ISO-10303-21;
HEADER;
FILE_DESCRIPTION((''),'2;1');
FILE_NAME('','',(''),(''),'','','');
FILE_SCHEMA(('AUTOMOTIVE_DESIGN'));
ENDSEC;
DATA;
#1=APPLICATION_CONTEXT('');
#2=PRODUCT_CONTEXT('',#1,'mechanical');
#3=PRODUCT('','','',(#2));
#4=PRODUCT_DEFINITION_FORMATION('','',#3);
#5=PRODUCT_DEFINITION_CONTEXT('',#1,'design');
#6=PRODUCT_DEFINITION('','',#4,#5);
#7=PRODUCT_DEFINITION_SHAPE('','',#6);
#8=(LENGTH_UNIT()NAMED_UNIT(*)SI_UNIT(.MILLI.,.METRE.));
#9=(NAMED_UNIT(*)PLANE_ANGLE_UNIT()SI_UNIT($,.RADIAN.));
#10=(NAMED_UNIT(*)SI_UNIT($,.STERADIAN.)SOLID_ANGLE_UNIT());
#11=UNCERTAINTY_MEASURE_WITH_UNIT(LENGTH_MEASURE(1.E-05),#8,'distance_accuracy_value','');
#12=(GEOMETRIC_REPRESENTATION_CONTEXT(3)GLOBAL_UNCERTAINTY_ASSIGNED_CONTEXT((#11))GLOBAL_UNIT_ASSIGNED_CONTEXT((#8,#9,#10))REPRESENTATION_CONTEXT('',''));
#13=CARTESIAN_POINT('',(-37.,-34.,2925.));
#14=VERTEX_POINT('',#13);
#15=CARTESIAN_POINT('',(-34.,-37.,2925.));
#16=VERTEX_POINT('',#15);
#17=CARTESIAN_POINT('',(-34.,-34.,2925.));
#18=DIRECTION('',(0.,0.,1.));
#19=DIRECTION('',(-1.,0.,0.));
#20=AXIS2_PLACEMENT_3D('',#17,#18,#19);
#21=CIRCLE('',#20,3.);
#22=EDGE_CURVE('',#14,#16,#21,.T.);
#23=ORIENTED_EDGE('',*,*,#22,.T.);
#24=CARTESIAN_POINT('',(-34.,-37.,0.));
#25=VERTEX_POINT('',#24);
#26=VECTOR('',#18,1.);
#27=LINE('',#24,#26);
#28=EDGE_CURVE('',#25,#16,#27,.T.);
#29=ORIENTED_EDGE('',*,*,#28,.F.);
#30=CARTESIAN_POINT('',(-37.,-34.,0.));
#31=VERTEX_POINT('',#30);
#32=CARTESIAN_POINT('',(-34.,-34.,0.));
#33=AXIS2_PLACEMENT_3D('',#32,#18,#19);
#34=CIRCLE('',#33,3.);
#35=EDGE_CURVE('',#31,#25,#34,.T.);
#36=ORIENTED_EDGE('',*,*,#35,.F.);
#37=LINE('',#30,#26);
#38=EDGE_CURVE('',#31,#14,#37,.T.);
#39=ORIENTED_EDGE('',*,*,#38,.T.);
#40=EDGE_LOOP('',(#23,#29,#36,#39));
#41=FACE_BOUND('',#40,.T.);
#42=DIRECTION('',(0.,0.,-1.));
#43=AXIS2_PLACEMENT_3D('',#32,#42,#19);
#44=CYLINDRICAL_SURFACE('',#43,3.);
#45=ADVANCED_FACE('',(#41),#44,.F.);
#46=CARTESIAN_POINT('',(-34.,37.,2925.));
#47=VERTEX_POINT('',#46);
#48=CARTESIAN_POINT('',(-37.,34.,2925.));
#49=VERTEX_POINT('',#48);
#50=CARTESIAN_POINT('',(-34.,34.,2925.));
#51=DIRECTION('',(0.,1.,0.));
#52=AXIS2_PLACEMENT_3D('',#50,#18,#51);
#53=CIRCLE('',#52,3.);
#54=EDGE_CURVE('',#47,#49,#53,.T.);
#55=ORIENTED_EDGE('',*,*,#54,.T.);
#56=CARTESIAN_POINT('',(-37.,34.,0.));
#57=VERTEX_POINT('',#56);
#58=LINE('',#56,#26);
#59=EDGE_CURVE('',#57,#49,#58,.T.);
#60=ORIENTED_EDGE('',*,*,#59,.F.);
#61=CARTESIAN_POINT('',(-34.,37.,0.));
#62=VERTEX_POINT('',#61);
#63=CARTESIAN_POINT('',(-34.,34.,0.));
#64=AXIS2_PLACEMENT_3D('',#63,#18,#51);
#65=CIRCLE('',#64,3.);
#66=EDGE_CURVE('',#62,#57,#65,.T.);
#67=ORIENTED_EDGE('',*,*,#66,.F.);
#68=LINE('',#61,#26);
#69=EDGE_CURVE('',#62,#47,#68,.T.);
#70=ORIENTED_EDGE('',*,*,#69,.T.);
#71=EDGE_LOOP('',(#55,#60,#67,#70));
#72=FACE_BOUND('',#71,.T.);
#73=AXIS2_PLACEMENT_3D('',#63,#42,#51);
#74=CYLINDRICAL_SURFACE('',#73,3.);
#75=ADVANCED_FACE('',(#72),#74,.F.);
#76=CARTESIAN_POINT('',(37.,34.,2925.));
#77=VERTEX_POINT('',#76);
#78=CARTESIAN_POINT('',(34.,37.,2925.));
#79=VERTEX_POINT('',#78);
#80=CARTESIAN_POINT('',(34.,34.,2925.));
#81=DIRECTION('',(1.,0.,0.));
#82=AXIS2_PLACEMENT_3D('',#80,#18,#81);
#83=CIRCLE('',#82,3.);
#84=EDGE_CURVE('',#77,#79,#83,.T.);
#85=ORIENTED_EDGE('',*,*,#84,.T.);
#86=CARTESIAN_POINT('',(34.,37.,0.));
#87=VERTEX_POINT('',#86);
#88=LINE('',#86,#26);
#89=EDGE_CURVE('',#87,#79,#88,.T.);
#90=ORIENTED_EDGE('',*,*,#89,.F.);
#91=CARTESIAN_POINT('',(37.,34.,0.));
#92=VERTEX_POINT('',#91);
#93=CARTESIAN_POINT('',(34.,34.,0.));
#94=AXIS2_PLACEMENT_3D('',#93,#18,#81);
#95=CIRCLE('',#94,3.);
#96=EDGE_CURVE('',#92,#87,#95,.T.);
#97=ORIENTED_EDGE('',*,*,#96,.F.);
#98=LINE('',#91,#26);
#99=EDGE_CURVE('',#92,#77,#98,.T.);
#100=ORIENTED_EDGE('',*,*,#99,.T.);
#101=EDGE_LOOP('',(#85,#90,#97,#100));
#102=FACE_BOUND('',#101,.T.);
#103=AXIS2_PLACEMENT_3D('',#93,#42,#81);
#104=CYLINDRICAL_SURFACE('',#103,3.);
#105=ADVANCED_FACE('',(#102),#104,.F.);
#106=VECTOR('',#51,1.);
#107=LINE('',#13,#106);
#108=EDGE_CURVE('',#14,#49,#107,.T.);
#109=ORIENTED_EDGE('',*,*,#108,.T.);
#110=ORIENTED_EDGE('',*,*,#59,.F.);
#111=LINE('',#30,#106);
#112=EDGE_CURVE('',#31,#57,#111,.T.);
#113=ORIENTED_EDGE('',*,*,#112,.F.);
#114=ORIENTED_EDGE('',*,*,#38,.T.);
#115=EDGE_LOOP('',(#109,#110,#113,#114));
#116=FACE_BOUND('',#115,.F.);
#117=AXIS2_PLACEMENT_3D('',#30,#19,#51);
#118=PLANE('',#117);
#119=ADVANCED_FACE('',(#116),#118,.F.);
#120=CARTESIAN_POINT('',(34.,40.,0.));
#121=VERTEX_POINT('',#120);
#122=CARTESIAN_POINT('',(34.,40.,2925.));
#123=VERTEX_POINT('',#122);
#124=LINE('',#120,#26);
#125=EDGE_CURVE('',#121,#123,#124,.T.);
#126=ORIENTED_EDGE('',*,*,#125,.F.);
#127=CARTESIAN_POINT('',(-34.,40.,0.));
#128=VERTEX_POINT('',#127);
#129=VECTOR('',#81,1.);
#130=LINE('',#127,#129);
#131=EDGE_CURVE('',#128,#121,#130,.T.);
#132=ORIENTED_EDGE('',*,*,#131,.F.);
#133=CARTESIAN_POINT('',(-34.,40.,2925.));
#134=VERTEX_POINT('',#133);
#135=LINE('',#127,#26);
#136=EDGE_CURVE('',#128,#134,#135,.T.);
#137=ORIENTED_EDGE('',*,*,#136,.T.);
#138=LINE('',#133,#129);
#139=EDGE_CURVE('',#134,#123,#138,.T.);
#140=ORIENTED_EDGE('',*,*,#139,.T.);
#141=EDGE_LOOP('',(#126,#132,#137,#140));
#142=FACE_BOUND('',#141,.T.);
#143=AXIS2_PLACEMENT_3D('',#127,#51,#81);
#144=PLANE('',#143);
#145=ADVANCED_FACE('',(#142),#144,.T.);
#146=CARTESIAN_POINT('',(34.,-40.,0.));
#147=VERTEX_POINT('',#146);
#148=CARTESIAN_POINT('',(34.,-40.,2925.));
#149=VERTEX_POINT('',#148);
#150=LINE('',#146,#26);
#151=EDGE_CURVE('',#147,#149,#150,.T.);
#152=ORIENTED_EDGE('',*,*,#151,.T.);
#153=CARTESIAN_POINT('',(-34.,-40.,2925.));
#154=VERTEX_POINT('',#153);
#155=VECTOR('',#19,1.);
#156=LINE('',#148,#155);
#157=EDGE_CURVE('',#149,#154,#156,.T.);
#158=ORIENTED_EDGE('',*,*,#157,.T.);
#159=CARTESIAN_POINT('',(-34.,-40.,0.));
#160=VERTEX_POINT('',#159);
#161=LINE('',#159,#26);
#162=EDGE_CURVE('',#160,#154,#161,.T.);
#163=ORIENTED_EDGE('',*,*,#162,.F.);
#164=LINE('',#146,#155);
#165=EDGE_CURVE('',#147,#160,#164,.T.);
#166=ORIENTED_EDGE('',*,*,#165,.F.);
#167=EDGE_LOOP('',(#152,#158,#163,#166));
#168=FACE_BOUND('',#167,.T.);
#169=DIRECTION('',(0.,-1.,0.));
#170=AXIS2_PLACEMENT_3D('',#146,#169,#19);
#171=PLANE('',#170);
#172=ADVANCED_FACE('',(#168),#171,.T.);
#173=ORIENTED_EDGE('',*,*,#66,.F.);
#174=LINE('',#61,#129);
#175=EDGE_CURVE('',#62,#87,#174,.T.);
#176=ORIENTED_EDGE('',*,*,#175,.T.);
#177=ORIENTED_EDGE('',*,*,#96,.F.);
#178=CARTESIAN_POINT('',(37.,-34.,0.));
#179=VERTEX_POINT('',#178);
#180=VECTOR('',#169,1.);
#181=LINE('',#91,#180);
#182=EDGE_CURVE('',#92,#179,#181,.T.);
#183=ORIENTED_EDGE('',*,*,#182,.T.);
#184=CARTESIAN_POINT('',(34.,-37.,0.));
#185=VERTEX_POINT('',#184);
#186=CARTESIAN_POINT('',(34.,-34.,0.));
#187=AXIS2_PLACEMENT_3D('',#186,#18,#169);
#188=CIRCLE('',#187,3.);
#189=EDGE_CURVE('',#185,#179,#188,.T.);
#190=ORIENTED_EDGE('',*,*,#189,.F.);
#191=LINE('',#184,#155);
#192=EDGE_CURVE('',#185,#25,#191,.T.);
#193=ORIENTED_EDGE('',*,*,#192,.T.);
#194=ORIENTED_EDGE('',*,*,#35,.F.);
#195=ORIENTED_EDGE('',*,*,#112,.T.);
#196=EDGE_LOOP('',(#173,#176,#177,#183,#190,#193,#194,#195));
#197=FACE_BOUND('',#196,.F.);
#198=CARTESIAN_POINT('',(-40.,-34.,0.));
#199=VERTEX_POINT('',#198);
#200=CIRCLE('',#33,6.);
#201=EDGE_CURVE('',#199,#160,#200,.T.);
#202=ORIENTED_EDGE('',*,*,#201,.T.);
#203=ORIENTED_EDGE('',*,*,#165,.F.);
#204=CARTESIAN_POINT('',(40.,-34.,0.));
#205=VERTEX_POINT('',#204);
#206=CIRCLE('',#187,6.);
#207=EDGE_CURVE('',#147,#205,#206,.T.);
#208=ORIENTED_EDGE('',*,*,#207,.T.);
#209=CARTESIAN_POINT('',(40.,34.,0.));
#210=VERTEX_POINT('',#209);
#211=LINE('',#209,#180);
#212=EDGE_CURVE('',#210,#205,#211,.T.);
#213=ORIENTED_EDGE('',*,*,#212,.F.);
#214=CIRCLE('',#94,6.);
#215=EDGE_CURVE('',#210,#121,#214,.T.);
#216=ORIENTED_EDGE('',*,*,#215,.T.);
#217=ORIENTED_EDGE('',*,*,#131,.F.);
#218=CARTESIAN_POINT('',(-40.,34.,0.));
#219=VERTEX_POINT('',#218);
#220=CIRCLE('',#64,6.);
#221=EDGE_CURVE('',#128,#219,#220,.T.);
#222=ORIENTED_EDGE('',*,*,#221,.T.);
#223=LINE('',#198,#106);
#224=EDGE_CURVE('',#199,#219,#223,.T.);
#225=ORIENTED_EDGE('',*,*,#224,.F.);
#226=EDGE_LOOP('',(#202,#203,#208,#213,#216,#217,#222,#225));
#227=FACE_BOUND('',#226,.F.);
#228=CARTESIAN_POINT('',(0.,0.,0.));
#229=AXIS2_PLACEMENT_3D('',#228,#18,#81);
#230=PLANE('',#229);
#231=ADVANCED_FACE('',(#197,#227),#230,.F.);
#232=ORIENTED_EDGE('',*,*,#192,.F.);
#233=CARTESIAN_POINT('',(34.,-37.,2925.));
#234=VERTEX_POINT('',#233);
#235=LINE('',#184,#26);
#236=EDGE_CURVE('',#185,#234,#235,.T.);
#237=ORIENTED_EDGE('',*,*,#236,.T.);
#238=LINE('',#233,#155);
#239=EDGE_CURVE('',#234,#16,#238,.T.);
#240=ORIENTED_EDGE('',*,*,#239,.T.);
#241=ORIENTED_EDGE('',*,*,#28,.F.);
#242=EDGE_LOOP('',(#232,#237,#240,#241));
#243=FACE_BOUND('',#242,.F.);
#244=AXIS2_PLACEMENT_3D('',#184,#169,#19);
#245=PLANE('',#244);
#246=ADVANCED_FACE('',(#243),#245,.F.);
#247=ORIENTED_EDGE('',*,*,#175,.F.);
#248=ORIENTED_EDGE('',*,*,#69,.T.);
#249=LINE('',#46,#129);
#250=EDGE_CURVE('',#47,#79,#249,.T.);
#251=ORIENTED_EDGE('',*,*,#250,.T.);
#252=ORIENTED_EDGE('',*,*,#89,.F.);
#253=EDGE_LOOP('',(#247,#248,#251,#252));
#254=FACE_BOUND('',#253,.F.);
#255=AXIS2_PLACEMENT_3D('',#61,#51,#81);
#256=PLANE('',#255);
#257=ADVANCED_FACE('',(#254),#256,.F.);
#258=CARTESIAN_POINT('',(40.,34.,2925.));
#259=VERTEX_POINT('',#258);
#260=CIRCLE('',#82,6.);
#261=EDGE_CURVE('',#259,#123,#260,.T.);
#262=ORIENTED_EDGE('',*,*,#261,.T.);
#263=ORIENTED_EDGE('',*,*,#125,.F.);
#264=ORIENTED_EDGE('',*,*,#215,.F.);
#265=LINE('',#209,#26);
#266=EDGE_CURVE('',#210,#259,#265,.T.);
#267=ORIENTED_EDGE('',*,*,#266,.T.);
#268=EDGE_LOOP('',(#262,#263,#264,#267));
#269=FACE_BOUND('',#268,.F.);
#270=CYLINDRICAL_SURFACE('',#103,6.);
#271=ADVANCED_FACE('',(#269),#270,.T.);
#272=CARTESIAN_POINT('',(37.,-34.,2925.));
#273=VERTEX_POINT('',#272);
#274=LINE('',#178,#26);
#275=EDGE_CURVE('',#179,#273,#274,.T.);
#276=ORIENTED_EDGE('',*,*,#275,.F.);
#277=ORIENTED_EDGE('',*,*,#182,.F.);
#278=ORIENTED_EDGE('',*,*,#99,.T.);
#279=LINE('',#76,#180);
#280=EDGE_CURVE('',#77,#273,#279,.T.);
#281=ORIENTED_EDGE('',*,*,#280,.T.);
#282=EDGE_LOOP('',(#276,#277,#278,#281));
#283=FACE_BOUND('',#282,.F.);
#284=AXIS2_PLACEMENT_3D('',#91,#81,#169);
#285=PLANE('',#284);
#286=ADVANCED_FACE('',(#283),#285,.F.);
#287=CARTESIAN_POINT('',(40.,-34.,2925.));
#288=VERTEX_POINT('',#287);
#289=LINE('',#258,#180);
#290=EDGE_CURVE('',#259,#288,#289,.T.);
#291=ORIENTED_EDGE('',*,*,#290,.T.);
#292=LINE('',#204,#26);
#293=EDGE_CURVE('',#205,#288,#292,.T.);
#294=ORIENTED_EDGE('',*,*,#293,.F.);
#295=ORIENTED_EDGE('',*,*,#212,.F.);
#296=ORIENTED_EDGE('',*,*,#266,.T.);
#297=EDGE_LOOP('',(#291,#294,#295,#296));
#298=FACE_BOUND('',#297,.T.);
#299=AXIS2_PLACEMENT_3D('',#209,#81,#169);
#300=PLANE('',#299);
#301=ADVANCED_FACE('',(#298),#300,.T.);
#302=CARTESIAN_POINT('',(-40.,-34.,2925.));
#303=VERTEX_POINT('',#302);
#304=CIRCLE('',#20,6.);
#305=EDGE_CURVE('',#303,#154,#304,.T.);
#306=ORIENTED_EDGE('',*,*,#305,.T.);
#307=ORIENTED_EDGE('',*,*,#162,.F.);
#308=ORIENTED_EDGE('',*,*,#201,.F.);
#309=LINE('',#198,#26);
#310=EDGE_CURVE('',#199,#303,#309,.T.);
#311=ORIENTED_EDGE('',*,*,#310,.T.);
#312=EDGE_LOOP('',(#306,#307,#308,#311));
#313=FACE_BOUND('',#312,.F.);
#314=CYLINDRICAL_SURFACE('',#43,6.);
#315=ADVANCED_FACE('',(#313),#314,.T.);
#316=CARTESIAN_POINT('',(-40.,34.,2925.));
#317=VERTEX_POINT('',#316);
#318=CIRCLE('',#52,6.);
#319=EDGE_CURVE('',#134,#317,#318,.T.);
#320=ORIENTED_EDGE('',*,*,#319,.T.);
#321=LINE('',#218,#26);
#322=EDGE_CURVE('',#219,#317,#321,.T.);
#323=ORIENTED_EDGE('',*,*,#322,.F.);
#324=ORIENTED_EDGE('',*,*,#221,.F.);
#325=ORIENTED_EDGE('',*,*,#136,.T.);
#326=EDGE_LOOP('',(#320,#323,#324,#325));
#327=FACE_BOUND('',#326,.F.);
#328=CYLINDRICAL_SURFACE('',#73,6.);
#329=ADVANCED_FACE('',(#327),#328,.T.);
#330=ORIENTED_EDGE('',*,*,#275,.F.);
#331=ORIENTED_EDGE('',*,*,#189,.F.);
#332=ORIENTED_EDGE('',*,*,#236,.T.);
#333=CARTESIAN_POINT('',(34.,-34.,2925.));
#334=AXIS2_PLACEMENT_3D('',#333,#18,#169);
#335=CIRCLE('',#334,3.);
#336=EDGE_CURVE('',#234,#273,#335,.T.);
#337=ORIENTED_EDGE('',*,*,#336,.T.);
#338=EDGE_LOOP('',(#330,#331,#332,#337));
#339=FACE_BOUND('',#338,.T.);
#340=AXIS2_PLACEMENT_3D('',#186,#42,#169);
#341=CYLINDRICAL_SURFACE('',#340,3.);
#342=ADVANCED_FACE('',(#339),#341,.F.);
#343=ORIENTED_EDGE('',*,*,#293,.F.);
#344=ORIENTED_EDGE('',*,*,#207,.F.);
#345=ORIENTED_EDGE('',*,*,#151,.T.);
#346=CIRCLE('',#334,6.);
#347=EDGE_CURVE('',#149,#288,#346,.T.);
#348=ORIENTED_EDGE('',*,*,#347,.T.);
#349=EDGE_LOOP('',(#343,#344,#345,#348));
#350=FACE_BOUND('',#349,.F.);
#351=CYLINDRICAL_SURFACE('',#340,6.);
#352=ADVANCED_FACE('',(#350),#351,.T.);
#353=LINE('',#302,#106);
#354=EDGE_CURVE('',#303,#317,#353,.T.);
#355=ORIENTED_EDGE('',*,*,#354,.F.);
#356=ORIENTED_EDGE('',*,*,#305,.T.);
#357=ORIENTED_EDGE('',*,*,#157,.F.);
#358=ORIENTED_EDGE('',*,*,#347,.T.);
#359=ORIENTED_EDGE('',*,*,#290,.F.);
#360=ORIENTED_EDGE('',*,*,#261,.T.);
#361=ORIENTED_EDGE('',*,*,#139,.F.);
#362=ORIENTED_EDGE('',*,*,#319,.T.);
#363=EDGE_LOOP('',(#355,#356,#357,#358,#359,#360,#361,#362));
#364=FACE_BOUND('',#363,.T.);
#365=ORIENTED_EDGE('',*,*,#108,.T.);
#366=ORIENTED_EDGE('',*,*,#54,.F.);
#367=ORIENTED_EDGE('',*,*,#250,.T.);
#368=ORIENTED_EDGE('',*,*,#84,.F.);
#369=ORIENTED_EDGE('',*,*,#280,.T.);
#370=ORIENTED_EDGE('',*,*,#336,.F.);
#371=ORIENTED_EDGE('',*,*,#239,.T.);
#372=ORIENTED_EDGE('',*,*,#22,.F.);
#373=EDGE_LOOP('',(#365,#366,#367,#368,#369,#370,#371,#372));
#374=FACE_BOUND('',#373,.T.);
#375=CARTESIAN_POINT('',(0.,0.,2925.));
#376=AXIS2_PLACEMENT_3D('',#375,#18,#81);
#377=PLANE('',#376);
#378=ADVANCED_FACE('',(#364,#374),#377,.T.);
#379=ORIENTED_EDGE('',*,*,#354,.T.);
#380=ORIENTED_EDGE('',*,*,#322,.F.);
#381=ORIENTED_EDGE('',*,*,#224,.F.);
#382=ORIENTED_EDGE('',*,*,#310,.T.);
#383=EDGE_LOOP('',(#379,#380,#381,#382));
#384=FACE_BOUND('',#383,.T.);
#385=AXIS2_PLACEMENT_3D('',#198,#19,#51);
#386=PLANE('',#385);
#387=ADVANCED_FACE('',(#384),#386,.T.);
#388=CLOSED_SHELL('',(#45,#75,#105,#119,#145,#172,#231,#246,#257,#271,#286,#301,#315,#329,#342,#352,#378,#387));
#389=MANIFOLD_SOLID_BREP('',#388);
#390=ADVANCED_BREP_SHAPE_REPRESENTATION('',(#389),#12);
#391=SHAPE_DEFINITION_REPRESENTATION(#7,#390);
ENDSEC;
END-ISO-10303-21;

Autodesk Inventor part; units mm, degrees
ref_plane "YZ Plane" through (0, 0, 0) normal (1, 0, 0) x (0, 1, 0)
ref_plane "Start plane" through (0, 0, 0) normal (0, 0, 1) x (1, 0, 0)
ref_plane "End plane" through (0, 0, 2925) normal (0, 0, 1) x (1, 0, 0)
sketch "Sketch" plane through (0, 0, 0) normal (0, 0, 1) x (1, 0, 0)
  line L0 (-40, -34) -> (-40, 34)
  line L1 (-34, 40) -> (34, 40)
  line L2 (40, 34) -> (40, -34)
  line L3 (34, -40) -> (-34, -40)
  arc A0 (-40, -34) -> (-34, -40) centre (-34, -34) ccw
  arc A1 (40, 34) -> (34, 40) centre (34, 34) ccw
  arc A2 (-34, 40) -> (-40, 34) centre (-34, 34) ccw
  arc A3 (34, -40) -> (40, -34) centre (34, -34) ccw
  arc A4 (-34, 37) -> (-37, 34) centre (-34, 34) ccw
  line L4 (-34, 37) -> (34, 37)
  arc A5 (37, 34) -> (34, 37) centre (34, 34) ccw
  line L5 (37, 34) -> (37, -34)
  arc A6 (34, -37) -> (37, -34) centre (34, -34) ccw
  line L6 (34, -37) -> (-34, -37)
  arc A7 (-37, -34) -> (-34, -37) centre (-34, -34) ccw
  line L7 (-37, -34) -> (-37, 34)
  line L8 (0, 37.1021) -> (0, -37.1021) construction
  line L9 (-23.1021, 0) -> (23.1021, 0) construction
  dimension "d7" = 6
  dimension "d9" = 80
  dimension "d11" = 80
  dimension "d12" = 3
  dimension "d15" = 40
  dimension "d16" = 40
extrude "Body" add sketch "Sketch" along normal up to surface (2925 mm away) from surface at 0
sketch "Sketch3" plane through (0, 0, 0) normal (0, 0, 1) x (1, 0, 0)
  line L0 (0, 0) -> (10, 0)
ref_plane "Work Plane3" through (0, 0, 0) normal (0, -1, 0) x (1, 0, 0)
sketch "Sketch4" plane through (0, 0, 0) normal (0, -1, 0) x (1, 0, 0)
  line L0 (-2, 0) -> (12, 0) projected
  line L1 (-2, 2925) -> (12, 2925) projected
  dimension "d18" = 2925
equation "\"d7\" = G_IR"
equation "\"d9\" = G_W"
equation "\"d11\" = G_H"
equation "\"d12\" = G_T"
equation "\"d15\" = 0.5 * d9"
equation "\"d16\" = 0.5 * d11"
equation "\"d3\" = G_L"
equation "\"G_W\" = 80"
equation "\"G_H\" = 80"
equation "\"G_T\" = 3"
equation "\"G_IR\" = 6"
equation "\"G_L\" = d18"
equation "\"G_OFFSET_START\" = 0"
equation "\"G_OFFSET_END\" = 0"
equation "\"d14\" = G_OFFSET_END + B_L"
equation "\"B_L\" = 2925"
properties part number "ISO 4019 - 80x80x3 - 2925" material "Steel, Mild"
